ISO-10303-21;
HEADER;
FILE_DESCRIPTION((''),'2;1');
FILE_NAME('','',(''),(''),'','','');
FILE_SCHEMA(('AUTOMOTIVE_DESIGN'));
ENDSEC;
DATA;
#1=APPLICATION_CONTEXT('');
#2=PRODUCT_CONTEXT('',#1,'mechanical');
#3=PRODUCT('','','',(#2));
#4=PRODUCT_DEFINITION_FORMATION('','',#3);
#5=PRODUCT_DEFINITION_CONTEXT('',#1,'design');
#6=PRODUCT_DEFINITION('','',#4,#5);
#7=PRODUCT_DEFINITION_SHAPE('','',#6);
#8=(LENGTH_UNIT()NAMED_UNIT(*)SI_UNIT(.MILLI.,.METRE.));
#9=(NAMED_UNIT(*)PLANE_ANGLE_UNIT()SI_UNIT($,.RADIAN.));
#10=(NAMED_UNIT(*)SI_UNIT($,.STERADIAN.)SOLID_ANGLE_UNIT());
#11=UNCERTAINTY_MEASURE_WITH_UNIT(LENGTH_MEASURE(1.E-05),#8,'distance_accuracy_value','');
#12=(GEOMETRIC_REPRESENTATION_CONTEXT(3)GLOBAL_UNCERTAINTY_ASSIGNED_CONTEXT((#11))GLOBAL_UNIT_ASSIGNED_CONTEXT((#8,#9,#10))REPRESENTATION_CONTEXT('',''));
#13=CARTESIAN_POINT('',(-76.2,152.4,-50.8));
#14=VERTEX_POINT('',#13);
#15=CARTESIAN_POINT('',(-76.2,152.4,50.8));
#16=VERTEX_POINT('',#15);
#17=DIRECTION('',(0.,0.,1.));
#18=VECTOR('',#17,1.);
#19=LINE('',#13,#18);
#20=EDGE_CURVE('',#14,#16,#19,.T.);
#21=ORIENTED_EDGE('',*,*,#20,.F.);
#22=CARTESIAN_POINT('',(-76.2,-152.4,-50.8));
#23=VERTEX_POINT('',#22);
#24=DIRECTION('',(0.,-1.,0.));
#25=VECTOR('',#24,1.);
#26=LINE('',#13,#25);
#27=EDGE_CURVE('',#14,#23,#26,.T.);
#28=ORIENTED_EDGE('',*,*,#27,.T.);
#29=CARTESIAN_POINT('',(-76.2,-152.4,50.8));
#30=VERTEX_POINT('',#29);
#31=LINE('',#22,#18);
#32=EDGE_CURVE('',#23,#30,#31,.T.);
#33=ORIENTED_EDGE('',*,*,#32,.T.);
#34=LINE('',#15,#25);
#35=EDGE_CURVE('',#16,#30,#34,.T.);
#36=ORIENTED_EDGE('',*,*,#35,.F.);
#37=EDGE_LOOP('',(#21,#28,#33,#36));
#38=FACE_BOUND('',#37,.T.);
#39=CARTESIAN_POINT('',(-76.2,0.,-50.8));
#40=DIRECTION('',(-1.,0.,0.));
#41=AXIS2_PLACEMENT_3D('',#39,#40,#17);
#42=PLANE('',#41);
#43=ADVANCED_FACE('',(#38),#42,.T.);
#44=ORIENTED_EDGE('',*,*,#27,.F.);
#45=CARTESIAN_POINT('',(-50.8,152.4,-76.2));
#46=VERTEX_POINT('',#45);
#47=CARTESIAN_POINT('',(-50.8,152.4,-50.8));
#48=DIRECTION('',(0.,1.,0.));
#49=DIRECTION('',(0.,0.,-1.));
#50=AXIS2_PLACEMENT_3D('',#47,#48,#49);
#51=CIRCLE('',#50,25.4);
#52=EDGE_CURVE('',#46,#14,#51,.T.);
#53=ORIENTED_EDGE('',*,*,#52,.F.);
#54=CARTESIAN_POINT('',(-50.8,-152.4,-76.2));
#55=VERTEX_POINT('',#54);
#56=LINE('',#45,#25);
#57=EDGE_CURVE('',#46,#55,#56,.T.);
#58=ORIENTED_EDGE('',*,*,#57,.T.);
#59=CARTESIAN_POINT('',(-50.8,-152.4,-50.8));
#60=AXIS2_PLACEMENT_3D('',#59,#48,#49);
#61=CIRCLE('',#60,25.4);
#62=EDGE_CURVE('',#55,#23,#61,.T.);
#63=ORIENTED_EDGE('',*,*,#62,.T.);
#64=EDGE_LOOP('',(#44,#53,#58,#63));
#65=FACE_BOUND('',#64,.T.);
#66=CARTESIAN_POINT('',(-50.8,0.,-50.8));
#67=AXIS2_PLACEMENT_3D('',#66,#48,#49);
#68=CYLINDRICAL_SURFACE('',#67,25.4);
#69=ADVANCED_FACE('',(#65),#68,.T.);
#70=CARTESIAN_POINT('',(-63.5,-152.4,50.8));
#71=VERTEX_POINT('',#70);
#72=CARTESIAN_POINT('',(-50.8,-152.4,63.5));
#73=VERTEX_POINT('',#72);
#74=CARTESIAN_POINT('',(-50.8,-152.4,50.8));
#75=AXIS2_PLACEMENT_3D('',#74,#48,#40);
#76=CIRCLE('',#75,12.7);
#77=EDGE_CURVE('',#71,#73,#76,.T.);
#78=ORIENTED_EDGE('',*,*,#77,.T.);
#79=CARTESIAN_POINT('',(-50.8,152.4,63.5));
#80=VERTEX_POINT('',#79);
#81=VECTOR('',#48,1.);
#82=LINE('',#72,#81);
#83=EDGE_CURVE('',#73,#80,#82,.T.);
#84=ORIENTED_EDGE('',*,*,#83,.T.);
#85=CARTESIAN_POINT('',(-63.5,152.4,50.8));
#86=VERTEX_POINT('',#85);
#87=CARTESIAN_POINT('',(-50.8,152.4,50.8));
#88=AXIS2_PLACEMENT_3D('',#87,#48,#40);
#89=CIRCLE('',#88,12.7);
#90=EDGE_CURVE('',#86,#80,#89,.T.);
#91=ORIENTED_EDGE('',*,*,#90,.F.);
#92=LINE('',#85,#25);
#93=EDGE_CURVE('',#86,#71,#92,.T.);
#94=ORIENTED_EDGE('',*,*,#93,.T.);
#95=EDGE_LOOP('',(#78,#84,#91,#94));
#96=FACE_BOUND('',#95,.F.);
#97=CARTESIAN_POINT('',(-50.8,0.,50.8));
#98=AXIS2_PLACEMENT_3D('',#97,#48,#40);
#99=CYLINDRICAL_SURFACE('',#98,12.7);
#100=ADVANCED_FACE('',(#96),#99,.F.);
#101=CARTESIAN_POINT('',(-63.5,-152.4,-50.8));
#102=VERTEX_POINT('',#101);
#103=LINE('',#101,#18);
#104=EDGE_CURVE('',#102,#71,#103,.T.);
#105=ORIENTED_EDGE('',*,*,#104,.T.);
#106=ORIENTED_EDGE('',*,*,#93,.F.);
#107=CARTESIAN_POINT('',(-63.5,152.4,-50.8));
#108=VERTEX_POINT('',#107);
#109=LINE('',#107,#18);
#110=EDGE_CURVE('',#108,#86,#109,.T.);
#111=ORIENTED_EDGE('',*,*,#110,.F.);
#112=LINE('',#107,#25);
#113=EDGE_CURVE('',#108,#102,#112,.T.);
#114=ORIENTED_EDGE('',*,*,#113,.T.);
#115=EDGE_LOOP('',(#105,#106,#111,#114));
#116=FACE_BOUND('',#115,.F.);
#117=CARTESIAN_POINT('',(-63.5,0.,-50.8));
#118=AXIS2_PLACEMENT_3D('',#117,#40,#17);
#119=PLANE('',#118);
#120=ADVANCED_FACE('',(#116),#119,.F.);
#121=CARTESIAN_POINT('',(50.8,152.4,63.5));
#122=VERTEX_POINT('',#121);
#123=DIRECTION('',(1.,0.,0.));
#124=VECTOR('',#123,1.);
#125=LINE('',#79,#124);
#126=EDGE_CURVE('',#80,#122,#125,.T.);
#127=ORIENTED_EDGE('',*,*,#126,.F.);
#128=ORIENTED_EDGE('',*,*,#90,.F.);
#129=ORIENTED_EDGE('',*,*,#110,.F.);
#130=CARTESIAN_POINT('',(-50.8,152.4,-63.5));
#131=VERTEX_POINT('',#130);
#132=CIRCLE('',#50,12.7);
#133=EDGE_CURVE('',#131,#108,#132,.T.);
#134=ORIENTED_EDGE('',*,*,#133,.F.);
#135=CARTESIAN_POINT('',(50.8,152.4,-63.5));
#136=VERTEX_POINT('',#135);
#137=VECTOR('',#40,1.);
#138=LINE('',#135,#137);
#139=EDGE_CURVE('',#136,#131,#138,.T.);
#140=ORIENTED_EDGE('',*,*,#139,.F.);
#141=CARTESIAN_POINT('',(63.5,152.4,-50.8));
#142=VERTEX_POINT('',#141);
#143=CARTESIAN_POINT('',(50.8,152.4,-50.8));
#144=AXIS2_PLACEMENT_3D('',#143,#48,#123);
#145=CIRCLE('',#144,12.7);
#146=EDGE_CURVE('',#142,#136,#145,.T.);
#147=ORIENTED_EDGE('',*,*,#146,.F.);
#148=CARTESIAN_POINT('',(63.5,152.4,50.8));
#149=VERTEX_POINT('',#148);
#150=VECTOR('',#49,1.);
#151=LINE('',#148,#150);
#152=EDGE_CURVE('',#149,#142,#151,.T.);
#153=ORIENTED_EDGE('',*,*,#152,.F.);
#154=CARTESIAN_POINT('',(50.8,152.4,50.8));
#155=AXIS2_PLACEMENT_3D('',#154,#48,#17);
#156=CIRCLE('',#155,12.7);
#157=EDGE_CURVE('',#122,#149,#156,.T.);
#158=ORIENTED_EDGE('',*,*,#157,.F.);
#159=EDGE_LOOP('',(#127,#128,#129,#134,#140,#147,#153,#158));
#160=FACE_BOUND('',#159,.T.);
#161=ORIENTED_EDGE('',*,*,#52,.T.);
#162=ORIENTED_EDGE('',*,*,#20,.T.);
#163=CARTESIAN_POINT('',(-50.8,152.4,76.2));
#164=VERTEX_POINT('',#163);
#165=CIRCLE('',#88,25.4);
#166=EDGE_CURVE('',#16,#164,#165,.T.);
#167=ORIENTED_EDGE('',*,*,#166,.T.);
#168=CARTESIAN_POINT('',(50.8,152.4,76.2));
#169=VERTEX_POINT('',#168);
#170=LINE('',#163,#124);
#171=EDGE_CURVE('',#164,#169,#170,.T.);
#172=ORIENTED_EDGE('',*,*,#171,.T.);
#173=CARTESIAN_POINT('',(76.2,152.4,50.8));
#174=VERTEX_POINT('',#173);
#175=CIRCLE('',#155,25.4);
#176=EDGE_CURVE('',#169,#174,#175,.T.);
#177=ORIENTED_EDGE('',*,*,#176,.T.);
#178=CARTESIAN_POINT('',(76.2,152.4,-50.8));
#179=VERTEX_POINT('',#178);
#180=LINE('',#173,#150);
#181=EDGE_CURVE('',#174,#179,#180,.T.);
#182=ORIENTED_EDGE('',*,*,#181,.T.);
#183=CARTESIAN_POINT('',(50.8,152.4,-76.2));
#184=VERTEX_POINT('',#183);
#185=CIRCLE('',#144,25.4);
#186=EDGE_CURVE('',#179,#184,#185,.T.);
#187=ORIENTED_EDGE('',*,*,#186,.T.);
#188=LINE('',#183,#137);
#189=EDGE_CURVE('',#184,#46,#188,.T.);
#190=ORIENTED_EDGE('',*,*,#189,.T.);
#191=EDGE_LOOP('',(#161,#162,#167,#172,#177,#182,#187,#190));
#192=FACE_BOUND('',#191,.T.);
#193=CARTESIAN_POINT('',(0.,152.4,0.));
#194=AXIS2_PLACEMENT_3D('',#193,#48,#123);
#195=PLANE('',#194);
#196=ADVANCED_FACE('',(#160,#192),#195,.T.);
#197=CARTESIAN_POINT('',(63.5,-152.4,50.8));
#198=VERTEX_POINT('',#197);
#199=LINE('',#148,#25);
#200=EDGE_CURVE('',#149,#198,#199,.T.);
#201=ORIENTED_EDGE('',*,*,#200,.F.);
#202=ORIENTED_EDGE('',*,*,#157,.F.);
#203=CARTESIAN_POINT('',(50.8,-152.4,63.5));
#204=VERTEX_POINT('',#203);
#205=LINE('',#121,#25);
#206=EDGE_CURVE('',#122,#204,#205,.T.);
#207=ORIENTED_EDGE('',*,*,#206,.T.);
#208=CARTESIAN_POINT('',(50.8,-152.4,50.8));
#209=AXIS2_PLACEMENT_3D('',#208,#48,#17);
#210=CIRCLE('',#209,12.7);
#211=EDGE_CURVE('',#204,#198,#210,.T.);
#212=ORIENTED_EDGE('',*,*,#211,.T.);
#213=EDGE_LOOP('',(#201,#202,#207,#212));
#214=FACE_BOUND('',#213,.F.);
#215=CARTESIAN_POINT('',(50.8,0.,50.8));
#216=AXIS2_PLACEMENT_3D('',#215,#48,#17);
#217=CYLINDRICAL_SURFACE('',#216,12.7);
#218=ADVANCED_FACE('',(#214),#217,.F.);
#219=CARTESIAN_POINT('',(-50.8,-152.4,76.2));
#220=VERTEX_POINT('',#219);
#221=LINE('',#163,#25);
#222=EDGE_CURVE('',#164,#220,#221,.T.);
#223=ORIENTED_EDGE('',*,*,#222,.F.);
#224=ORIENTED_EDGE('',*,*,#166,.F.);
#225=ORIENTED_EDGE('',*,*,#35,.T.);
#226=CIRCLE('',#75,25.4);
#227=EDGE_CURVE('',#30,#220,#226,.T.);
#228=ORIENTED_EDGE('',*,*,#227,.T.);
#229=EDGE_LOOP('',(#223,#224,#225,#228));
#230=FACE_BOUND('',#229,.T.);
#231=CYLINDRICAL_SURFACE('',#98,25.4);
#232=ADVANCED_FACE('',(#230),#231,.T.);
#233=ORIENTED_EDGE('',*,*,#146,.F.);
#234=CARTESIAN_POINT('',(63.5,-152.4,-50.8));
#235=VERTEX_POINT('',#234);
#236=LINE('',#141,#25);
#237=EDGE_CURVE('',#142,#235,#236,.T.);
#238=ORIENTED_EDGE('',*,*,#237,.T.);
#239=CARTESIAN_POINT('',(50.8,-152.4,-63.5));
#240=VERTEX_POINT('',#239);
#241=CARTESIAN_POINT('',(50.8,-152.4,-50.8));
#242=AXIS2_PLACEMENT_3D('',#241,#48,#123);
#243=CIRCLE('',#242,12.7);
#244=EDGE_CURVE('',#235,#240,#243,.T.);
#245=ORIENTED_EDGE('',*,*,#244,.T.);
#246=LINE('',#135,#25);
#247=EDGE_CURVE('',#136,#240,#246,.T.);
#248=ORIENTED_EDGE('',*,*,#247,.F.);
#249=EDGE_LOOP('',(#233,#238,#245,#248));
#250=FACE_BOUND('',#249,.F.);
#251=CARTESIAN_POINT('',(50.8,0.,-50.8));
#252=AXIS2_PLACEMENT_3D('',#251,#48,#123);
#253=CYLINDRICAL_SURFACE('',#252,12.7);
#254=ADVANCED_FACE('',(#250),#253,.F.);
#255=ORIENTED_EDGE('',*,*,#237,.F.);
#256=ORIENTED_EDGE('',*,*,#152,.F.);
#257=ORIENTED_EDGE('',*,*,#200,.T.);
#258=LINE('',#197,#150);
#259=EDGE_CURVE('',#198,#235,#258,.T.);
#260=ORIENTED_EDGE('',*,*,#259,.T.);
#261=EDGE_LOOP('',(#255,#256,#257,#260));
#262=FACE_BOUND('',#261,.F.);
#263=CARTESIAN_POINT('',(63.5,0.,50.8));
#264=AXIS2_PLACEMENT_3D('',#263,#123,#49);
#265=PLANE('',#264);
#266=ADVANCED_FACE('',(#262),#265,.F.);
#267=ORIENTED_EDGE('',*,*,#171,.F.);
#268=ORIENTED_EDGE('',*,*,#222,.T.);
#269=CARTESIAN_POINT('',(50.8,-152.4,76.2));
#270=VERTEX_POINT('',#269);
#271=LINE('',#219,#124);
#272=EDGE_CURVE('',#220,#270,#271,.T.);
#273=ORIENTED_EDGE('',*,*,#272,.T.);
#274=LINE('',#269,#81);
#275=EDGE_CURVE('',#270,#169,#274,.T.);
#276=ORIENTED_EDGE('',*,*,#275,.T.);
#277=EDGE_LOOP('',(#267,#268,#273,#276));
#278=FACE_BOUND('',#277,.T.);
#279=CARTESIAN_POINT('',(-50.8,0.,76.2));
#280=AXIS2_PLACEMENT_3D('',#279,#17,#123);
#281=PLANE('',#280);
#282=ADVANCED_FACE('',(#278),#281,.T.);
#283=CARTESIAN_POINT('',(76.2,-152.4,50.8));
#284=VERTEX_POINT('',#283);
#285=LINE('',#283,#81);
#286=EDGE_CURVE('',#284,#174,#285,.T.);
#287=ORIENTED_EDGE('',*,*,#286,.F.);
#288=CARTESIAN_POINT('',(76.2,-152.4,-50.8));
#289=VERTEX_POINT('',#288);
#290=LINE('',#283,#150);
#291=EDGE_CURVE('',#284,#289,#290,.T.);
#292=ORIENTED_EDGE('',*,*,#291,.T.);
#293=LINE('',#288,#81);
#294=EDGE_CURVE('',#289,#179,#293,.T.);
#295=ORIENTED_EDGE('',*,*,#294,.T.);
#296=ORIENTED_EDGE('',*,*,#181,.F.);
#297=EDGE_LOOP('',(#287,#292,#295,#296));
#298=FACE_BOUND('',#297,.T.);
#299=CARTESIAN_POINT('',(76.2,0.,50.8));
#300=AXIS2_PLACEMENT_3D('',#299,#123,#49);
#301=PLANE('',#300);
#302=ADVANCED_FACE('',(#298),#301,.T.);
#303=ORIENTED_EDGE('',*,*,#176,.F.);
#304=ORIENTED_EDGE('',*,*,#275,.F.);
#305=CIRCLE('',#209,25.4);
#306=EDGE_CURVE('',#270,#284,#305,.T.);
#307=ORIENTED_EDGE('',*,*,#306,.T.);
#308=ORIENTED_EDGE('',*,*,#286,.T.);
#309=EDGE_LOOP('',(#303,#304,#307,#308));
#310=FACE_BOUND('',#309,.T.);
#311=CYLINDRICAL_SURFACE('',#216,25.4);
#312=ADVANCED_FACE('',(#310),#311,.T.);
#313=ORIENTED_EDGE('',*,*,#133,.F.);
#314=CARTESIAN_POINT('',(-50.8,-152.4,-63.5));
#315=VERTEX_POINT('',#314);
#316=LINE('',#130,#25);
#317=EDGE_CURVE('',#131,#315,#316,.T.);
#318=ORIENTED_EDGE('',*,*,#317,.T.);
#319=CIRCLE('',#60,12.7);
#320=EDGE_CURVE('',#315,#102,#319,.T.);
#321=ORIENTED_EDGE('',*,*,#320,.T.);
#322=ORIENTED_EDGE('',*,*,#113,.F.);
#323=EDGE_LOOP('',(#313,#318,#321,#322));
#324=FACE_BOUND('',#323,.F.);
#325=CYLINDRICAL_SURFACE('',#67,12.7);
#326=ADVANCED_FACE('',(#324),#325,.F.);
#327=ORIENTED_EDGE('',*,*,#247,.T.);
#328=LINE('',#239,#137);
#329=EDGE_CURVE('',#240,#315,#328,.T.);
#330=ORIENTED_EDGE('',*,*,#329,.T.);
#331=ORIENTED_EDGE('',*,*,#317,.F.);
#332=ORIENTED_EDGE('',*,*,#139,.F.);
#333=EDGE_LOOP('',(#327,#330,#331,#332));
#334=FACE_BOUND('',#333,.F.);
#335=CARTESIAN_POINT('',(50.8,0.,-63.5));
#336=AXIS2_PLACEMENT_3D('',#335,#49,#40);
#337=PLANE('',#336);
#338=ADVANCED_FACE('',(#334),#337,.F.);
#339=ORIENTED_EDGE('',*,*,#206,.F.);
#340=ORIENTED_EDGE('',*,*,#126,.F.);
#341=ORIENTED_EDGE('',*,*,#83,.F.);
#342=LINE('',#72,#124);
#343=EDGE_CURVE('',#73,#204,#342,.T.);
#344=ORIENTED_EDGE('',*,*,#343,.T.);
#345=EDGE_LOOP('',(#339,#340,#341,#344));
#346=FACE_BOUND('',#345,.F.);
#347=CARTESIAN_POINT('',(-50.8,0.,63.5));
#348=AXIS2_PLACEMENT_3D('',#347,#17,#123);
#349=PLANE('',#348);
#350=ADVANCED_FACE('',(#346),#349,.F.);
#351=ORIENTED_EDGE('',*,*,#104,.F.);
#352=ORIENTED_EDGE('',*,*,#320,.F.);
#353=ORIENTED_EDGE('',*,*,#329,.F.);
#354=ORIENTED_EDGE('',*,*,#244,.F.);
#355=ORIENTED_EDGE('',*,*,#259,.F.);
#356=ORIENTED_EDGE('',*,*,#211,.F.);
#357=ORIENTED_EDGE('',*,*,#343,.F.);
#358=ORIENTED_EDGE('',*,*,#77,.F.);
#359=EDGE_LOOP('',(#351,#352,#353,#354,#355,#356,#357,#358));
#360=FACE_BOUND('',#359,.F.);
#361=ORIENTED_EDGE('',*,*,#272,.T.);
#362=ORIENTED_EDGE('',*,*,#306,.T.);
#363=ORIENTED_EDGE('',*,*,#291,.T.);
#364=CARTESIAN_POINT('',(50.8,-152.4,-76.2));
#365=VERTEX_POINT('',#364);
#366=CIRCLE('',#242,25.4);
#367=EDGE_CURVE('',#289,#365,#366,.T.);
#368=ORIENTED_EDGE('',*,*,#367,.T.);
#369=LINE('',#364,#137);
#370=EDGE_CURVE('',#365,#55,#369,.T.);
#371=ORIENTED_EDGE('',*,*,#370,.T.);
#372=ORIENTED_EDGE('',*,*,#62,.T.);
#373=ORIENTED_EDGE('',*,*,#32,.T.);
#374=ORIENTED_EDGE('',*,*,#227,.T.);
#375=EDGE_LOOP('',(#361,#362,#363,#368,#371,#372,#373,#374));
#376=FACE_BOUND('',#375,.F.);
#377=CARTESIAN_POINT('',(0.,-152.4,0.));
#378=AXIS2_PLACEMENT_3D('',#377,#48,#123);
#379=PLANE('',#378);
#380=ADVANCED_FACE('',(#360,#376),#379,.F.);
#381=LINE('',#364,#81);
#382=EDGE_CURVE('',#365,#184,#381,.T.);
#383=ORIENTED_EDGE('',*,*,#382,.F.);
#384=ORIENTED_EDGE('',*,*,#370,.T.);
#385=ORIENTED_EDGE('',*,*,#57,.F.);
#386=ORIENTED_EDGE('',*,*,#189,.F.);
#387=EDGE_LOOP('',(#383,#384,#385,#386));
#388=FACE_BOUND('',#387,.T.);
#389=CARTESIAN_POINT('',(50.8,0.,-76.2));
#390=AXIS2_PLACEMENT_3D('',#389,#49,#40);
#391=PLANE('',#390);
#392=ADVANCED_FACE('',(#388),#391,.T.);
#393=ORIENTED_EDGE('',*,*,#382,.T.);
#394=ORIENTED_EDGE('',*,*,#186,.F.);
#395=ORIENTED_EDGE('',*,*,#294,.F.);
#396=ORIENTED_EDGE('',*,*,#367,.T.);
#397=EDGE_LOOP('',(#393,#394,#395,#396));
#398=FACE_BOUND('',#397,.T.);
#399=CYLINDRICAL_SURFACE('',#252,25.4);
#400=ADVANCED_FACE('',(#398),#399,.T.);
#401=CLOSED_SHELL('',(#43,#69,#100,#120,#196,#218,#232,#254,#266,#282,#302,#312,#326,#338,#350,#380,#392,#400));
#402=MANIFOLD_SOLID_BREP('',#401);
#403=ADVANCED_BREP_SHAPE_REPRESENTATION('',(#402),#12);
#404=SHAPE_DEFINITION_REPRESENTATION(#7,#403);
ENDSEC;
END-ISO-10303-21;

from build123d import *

# Parameters (mm, degrees)
BOSS_EXTRUDE1_DEPTH = 152.4


with BuildPart() as part:
    # Sketch1 → Boss-Extrude1 (new body, symmetric)
    with BuildSketch(Plane(origin=(0, 0, 0), x_dir=(1, 0, 0), z_dir=(0, 1, 0))):
        with BuildLine():
            Line((-50.8, -76.2), (50.8, -76.2))
            ThreePointArc((50.8, -76.2), (68.760512242, -68.760512242), (76.2, -50.8))
            Line((76.2, -50.8), (76.2, 50.8))
            ThreePointArc((76.2, 50.8), (68.760512242, 68.760512242), (50.8, 76.2))
            Line((50.8, 76.2), (-50.8, 76.2))
            ThreePointArc((-50.8, 76.2), (-68.760512242, 68.760512242), (-76.2, 50.8))
            Line((-76.2, 50.8), (-76.2, -50.8))
            ThreePointArc((-76.2, -50.8), (-68.760512242, -68.760512242), (-50.8, -76.2))
        make_face()
        with BuildLine():
            Line((-50.8, -63.5), (50.8, -63.5))
            ThreePointArc((50.8, -63.5), (59.780256121, -59.780256121), (63.5, -50.8))
            Line((63.5, -50.8), (63.5, 50.8))
            ThreePointArc((63.5, 50.8), (59.780256121, 59.780256121), (50.8, 63.5))
            Line((50.8, 63.5), (-50.8, 63.5))
            ThreePointArc((-50.8, 63.5), (-59.780256121, 59.780256121), (-63.5, 50.8))
            Line((-63.5, 50.8), (-63.5, -50.8))
            ThreePointArc((-63.5, -50.8), (-59.780256121, -59.780256121), (-50.8, -63.5))
        make_face(mode=Mode.SUBTRACT)
    extrude(amount=BOSS_EXTRUDE1_DEPTH, both=True)


solid = part.part
